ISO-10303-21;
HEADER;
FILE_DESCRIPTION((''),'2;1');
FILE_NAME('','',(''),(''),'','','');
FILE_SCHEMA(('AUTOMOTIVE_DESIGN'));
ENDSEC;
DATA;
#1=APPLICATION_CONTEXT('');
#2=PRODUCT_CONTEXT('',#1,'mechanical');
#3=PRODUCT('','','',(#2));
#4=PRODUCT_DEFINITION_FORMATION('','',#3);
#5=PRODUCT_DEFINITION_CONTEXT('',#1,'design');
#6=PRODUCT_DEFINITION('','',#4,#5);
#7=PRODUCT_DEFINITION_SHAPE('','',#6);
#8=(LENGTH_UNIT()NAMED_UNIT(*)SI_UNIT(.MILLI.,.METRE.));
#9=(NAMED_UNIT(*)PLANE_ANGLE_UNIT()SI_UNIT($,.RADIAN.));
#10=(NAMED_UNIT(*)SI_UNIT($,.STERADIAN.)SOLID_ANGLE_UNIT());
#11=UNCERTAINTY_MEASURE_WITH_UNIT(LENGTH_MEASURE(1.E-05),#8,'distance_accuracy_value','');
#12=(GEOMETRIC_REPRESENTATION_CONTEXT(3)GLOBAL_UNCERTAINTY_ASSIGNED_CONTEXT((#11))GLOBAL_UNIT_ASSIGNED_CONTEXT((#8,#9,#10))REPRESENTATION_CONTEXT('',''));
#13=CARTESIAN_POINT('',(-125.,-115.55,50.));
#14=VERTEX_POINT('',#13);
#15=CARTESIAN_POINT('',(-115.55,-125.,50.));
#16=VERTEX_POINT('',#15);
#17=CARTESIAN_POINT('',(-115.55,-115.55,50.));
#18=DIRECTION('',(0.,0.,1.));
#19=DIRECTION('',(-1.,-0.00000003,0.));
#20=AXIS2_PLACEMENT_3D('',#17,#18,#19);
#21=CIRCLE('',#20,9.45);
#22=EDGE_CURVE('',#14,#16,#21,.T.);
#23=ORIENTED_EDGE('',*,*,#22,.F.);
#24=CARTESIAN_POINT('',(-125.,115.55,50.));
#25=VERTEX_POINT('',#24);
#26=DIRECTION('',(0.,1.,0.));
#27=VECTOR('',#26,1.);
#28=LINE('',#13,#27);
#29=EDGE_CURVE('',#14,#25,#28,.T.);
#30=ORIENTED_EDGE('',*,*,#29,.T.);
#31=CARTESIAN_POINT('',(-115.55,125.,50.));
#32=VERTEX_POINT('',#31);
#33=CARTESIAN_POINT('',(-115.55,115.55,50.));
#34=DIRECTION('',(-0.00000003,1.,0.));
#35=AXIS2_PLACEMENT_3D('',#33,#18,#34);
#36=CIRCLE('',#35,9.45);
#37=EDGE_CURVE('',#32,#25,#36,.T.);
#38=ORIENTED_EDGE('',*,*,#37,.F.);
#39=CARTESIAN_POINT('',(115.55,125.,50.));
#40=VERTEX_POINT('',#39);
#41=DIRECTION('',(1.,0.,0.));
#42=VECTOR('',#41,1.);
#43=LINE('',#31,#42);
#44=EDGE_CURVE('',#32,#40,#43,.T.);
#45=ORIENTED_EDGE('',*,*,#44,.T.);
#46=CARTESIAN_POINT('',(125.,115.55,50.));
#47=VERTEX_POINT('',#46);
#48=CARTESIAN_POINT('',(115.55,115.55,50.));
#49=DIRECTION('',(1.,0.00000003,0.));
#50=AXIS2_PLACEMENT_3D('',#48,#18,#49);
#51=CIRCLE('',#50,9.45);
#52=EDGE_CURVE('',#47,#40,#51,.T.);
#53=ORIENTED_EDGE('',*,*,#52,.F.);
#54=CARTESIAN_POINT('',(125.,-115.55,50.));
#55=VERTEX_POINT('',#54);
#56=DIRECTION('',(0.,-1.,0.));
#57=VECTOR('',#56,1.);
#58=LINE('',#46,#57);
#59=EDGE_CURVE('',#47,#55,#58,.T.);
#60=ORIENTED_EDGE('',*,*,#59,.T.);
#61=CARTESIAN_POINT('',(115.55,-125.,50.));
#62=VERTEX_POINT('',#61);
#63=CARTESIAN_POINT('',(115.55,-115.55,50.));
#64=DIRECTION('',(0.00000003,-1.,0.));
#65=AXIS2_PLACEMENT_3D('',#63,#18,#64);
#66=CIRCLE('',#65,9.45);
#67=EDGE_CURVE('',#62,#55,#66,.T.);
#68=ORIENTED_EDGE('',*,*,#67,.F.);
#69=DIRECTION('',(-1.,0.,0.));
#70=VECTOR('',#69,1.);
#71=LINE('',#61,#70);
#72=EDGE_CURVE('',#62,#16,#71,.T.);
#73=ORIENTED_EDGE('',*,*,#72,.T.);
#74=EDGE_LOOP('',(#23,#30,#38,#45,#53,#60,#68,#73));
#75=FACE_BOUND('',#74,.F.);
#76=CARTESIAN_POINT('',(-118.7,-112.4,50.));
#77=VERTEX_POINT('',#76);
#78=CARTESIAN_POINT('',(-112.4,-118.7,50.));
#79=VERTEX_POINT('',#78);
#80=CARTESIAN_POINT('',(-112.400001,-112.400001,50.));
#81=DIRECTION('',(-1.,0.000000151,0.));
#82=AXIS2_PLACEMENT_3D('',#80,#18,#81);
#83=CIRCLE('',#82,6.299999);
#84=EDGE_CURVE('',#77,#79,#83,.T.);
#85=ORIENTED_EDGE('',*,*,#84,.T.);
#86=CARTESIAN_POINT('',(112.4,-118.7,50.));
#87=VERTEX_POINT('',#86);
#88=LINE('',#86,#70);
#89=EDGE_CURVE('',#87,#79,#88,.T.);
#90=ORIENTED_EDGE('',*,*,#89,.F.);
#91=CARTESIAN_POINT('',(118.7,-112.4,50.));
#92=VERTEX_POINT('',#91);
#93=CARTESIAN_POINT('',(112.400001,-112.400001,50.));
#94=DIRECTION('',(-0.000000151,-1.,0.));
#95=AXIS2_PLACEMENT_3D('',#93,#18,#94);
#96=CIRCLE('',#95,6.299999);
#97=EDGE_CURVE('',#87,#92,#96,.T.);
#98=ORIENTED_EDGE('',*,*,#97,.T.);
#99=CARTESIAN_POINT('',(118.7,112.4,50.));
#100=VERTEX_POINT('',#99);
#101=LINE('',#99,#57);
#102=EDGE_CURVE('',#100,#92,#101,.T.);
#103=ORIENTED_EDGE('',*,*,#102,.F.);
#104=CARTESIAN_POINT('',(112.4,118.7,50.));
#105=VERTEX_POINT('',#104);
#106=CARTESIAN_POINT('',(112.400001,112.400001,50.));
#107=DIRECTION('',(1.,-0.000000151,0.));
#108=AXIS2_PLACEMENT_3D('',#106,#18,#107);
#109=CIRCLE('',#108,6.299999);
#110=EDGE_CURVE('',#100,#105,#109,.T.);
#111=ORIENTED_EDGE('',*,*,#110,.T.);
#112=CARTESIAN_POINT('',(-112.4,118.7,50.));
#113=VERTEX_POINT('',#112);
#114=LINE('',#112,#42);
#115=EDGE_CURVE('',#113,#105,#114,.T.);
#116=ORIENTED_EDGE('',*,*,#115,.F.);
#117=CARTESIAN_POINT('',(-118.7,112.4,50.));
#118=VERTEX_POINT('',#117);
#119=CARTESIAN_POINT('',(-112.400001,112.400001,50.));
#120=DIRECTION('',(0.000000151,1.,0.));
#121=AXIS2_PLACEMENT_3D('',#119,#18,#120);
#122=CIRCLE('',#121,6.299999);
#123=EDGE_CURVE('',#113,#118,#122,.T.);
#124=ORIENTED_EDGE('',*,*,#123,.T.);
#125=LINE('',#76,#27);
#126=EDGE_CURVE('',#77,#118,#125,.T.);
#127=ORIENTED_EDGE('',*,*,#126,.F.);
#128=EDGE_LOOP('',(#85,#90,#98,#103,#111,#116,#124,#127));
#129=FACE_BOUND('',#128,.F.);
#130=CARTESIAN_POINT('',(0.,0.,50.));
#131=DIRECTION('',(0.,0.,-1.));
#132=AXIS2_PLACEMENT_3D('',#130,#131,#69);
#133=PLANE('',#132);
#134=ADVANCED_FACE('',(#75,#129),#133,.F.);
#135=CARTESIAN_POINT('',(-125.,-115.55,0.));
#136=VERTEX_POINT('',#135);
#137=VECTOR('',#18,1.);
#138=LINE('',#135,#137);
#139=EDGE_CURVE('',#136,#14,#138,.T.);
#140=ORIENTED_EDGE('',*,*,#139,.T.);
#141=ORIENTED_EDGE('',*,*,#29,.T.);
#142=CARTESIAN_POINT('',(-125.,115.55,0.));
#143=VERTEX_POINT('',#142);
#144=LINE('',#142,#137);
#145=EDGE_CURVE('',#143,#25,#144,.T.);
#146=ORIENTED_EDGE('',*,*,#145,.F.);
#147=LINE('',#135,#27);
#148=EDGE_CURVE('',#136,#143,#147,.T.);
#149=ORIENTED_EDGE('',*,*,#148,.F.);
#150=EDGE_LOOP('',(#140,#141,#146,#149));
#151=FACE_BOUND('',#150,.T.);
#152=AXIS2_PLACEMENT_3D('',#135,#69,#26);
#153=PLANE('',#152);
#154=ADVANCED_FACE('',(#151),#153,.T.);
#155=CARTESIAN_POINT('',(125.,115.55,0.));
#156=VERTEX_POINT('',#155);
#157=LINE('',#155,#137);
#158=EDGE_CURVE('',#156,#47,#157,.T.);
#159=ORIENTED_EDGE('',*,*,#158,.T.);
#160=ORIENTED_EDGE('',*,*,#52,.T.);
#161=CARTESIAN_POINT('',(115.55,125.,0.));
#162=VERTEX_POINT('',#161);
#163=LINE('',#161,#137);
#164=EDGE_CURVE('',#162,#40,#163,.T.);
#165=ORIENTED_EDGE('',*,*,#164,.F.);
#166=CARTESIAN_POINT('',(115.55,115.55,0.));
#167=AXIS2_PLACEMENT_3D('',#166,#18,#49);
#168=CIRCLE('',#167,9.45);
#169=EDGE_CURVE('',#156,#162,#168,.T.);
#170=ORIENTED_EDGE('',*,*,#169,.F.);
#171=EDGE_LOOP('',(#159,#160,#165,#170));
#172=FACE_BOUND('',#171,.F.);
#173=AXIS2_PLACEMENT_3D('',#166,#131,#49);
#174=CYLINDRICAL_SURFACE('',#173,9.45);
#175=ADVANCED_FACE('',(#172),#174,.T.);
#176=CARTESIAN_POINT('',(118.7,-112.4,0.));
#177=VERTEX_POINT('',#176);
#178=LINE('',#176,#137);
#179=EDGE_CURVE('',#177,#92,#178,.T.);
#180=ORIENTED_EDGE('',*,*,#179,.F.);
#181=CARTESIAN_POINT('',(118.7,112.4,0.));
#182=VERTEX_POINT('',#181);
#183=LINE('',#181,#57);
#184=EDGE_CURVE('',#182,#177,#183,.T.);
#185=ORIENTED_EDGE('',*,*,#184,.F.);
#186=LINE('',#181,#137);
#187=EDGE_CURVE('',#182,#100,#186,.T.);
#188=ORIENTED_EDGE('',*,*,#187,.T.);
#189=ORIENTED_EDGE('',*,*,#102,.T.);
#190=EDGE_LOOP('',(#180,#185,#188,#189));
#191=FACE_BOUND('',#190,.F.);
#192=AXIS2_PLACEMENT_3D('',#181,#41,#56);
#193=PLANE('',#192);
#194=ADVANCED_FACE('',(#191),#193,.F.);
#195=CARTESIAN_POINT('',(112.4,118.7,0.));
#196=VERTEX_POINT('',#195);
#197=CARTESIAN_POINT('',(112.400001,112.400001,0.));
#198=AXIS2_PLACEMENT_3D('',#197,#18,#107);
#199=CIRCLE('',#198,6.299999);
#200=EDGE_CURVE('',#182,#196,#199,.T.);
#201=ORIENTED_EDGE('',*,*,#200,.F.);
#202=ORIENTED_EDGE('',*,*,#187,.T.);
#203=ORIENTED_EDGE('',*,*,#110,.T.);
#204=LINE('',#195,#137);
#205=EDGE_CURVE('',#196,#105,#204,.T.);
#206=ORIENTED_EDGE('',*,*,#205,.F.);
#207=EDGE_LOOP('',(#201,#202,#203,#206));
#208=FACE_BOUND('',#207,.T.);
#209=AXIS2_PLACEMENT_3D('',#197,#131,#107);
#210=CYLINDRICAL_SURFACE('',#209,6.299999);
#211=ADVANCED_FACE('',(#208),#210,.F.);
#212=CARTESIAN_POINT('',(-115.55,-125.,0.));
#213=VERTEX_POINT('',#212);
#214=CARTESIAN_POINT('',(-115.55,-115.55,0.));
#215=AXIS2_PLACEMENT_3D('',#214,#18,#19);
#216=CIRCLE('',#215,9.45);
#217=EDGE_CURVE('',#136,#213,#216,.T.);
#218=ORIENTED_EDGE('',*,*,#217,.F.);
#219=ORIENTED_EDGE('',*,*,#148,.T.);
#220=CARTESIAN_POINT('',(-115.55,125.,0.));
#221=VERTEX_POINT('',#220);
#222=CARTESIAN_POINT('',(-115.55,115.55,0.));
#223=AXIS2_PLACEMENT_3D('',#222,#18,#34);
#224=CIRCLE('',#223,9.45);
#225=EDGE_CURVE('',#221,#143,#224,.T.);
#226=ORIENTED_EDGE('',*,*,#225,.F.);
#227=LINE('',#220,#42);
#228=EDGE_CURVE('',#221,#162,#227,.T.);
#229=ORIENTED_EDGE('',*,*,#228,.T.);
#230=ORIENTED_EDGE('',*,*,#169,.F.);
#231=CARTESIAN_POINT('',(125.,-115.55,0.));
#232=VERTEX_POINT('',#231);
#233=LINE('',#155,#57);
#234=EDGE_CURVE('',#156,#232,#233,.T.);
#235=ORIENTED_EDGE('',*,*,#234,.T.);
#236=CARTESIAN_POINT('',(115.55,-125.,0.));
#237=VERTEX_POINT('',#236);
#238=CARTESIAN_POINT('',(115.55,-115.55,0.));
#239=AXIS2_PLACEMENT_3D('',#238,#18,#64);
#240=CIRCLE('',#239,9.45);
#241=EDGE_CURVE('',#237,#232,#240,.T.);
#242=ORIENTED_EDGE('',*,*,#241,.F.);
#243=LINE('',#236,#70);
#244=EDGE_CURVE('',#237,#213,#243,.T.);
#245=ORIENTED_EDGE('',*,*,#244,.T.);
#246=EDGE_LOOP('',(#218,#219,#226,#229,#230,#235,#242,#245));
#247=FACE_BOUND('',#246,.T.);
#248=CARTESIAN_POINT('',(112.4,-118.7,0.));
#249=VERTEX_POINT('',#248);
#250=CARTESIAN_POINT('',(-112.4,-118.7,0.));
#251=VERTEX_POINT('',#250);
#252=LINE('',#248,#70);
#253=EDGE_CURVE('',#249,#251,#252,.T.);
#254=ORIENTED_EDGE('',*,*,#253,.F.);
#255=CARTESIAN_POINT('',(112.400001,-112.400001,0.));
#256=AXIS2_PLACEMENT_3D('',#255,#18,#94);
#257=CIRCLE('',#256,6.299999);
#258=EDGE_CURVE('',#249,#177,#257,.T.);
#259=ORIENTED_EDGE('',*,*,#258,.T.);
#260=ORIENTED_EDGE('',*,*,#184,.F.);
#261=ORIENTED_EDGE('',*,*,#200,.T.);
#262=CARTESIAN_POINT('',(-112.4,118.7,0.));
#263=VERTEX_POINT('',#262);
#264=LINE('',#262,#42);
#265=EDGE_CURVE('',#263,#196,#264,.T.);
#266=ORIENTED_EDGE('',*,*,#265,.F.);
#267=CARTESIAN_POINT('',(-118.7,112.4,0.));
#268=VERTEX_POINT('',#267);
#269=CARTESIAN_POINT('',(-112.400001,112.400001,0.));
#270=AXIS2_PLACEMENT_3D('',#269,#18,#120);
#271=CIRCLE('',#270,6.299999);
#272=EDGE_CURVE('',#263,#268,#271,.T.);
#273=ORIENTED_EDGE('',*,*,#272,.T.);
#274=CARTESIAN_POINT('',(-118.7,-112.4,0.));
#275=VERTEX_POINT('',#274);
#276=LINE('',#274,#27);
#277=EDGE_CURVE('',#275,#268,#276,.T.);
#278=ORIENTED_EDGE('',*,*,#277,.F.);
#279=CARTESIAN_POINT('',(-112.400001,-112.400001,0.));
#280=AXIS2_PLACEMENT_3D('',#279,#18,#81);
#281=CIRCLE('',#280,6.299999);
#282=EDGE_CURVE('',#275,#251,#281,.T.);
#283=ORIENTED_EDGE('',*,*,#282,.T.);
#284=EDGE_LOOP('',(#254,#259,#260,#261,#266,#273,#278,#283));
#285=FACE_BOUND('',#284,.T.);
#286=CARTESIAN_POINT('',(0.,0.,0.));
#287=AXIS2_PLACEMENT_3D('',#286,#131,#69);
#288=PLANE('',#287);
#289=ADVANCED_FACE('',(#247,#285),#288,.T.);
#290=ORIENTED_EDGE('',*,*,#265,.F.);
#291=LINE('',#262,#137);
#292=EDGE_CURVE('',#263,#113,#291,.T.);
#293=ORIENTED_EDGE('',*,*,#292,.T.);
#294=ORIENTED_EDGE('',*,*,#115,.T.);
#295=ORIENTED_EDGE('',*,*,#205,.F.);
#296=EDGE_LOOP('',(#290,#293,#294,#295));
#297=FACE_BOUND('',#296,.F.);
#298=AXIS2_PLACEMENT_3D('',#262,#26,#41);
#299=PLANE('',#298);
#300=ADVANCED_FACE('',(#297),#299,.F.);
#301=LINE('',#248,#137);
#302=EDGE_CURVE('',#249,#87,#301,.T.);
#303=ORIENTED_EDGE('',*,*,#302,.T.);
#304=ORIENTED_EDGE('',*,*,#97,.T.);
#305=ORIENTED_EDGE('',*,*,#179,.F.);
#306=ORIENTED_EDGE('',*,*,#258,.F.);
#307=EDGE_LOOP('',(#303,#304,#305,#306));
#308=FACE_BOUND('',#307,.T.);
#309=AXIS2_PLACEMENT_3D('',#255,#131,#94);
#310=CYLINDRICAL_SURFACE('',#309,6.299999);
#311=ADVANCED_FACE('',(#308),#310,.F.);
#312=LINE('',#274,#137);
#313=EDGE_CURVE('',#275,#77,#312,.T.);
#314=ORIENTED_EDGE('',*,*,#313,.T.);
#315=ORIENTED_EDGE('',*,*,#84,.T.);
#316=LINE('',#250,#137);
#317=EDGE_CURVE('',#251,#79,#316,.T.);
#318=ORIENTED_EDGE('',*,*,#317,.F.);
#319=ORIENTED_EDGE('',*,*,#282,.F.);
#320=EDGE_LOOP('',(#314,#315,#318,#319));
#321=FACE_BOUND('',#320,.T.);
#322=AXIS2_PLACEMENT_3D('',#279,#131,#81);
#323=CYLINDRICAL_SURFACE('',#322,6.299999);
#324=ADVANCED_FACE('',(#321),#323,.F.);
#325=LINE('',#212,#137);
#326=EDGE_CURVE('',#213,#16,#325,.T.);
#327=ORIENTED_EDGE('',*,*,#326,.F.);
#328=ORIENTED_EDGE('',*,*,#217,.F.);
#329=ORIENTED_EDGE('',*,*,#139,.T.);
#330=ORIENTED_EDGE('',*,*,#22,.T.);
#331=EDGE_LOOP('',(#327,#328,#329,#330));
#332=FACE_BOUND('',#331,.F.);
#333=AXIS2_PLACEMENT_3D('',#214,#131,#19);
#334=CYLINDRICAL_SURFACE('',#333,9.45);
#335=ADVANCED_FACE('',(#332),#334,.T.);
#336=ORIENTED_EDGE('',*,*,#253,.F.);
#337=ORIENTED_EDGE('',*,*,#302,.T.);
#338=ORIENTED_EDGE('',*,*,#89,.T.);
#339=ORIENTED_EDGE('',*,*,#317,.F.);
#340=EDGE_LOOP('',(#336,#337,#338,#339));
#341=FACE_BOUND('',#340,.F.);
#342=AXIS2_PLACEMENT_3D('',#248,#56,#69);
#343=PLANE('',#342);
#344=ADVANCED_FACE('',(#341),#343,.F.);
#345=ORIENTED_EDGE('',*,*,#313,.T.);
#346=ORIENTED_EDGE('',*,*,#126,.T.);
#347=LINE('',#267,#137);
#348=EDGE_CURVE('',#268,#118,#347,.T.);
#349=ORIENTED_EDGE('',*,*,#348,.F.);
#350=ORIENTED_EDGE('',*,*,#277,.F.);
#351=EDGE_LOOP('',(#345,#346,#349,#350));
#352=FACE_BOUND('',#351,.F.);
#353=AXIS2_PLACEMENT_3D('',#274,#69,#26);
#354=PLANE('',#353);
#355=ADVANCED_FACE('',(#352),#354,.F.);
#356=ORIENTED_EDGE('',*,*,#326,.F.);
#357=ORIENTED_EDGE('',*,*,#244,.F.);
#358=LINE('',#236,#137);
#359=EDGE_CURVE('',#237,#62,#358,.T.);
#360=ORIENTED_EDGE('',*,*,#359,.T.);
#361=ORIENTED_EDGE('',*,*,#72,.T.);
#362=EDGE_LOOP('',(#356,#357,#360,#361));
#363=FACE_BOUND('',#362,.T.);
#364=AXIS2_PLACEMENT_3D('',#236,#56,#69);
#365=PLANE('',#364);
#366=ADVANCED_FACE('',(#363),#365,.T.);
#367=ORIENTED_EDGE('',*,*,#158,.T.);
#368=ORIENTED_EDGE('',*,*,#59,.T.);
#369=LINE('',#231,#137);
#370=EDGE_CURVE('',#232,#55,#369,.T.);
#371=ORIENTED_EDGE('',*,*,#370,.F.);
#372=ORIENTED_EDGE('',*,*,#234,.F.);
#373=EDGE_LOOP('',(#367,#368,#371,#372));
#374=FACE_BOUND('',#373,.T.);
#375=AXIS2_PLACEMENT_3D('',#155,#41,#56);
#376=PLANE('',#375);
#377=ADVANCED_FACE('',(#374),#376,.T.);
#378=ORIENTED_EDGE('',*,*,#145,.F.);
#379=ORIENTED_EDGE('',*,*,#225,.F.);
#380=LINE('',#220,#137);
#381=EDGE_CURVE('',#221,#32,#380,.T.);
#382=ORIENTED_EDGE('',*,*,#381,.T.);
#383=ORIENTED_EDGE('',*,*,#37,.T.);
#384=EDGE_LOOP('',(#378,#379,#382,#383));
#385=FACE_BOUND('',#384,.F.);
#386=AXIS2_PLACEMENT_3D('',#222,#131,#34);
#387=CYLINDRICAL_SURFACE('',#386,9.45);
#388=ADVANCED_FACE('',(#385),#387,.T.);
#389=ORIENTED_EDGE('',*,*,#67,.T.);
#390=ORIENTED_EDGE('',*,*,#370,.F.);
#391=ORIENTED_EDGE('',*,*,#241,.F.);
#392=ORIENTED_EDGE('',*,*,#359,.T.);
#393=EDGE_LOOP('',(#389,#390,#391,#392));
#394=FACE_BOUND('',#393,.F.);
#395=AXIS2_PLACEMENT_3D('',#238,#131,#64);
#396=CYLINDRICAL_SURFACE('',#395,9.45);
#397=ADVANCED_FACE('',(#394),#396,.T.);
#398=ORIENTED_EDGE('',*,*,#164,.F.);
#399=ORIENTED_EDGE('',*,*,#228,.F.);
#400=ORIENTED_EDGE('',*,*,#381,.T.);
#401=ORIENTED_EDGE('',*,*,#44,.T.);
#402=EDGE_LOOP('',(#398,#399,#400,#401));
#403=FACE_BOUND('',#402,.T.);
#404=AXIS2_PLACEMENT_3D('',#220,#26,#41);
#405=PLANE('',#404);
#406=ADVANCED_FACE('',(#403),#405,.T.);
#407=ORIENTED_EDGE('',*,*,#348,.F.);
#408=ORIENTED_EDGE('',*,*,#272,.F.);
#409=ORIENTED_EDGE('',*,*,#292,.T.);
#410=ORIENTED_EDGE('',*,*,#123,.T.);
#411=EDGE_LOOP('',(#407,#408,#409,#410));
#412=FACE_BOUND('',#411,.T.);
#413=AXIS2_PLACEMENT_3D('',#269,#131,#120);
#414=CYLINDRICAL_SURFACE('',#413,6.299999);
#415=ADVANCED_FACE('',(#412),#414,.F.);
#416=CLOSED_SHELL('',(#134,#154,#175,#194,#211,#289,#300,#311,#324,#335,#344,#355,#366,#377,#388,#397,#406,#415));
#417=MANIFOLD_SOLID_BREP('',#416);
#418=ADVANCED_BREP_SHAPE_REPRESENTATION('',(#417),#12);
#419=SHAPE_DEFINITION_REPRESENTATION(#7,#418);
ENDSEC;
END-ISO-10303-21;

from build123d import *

# Parameters (mm, degrees)
EXTRUDE_DEPTH = 50


with BuildPart() as part:
    # Sketch → Extrude (new body)
    with BuildSketch(Plane.XY):
        with BuildLine():
            Line((-115.55, 125), (115.55, 125))
            ThreePointArc((125, 115.55), (122.232159, 122.232159), (115.55, 125))
            Line((125, 115.55), (125, -115.55))
            ThreePointArc((115.55, -125), (122.232159, -122.232159), (125, -115.55))
            Line((115.55, -125), (-115.55, -125))
            ThreePointArc((-125, -115.55), (-122.232159, -122.232159), (-115.55, -125))
            Line((-125, -115.55), (-125, 115.55))
            ThreePointArc((-115.55, 125), (-122.232159, 122.232159), (-125, 115.55))
        make_face()
        with BuildLine():
            Line((-112.4, 118.7), (112.4, 118.7))
            ThreePointArc((118.7, 112.4), (116.854773, 116.854773), (112.4, 118.7))
            Line((118.7, 112.4), (118.7, -112.4))
            ThreePointArc((112.4, -118.7), (116.854773, -116.854773), (118.7, -112.4))
            Line((112.4, -118.7), (-112.4, -118.7))
            ThreePointArc((-118.7, -112.4), (-116.854773, -116.854773), (-112.4, -118.7))
            Line((-118.7, -112.4), (-118.7, 112.4))
            ThreePointArc((-112.4, 118.7), (-116.854773, 116.854773), (-118.7, 112.4))
        make_face(mode=Mode.SUBTRACT)
    extrude(amount=EXTRUDE_DEPTH)


solid = part.part
